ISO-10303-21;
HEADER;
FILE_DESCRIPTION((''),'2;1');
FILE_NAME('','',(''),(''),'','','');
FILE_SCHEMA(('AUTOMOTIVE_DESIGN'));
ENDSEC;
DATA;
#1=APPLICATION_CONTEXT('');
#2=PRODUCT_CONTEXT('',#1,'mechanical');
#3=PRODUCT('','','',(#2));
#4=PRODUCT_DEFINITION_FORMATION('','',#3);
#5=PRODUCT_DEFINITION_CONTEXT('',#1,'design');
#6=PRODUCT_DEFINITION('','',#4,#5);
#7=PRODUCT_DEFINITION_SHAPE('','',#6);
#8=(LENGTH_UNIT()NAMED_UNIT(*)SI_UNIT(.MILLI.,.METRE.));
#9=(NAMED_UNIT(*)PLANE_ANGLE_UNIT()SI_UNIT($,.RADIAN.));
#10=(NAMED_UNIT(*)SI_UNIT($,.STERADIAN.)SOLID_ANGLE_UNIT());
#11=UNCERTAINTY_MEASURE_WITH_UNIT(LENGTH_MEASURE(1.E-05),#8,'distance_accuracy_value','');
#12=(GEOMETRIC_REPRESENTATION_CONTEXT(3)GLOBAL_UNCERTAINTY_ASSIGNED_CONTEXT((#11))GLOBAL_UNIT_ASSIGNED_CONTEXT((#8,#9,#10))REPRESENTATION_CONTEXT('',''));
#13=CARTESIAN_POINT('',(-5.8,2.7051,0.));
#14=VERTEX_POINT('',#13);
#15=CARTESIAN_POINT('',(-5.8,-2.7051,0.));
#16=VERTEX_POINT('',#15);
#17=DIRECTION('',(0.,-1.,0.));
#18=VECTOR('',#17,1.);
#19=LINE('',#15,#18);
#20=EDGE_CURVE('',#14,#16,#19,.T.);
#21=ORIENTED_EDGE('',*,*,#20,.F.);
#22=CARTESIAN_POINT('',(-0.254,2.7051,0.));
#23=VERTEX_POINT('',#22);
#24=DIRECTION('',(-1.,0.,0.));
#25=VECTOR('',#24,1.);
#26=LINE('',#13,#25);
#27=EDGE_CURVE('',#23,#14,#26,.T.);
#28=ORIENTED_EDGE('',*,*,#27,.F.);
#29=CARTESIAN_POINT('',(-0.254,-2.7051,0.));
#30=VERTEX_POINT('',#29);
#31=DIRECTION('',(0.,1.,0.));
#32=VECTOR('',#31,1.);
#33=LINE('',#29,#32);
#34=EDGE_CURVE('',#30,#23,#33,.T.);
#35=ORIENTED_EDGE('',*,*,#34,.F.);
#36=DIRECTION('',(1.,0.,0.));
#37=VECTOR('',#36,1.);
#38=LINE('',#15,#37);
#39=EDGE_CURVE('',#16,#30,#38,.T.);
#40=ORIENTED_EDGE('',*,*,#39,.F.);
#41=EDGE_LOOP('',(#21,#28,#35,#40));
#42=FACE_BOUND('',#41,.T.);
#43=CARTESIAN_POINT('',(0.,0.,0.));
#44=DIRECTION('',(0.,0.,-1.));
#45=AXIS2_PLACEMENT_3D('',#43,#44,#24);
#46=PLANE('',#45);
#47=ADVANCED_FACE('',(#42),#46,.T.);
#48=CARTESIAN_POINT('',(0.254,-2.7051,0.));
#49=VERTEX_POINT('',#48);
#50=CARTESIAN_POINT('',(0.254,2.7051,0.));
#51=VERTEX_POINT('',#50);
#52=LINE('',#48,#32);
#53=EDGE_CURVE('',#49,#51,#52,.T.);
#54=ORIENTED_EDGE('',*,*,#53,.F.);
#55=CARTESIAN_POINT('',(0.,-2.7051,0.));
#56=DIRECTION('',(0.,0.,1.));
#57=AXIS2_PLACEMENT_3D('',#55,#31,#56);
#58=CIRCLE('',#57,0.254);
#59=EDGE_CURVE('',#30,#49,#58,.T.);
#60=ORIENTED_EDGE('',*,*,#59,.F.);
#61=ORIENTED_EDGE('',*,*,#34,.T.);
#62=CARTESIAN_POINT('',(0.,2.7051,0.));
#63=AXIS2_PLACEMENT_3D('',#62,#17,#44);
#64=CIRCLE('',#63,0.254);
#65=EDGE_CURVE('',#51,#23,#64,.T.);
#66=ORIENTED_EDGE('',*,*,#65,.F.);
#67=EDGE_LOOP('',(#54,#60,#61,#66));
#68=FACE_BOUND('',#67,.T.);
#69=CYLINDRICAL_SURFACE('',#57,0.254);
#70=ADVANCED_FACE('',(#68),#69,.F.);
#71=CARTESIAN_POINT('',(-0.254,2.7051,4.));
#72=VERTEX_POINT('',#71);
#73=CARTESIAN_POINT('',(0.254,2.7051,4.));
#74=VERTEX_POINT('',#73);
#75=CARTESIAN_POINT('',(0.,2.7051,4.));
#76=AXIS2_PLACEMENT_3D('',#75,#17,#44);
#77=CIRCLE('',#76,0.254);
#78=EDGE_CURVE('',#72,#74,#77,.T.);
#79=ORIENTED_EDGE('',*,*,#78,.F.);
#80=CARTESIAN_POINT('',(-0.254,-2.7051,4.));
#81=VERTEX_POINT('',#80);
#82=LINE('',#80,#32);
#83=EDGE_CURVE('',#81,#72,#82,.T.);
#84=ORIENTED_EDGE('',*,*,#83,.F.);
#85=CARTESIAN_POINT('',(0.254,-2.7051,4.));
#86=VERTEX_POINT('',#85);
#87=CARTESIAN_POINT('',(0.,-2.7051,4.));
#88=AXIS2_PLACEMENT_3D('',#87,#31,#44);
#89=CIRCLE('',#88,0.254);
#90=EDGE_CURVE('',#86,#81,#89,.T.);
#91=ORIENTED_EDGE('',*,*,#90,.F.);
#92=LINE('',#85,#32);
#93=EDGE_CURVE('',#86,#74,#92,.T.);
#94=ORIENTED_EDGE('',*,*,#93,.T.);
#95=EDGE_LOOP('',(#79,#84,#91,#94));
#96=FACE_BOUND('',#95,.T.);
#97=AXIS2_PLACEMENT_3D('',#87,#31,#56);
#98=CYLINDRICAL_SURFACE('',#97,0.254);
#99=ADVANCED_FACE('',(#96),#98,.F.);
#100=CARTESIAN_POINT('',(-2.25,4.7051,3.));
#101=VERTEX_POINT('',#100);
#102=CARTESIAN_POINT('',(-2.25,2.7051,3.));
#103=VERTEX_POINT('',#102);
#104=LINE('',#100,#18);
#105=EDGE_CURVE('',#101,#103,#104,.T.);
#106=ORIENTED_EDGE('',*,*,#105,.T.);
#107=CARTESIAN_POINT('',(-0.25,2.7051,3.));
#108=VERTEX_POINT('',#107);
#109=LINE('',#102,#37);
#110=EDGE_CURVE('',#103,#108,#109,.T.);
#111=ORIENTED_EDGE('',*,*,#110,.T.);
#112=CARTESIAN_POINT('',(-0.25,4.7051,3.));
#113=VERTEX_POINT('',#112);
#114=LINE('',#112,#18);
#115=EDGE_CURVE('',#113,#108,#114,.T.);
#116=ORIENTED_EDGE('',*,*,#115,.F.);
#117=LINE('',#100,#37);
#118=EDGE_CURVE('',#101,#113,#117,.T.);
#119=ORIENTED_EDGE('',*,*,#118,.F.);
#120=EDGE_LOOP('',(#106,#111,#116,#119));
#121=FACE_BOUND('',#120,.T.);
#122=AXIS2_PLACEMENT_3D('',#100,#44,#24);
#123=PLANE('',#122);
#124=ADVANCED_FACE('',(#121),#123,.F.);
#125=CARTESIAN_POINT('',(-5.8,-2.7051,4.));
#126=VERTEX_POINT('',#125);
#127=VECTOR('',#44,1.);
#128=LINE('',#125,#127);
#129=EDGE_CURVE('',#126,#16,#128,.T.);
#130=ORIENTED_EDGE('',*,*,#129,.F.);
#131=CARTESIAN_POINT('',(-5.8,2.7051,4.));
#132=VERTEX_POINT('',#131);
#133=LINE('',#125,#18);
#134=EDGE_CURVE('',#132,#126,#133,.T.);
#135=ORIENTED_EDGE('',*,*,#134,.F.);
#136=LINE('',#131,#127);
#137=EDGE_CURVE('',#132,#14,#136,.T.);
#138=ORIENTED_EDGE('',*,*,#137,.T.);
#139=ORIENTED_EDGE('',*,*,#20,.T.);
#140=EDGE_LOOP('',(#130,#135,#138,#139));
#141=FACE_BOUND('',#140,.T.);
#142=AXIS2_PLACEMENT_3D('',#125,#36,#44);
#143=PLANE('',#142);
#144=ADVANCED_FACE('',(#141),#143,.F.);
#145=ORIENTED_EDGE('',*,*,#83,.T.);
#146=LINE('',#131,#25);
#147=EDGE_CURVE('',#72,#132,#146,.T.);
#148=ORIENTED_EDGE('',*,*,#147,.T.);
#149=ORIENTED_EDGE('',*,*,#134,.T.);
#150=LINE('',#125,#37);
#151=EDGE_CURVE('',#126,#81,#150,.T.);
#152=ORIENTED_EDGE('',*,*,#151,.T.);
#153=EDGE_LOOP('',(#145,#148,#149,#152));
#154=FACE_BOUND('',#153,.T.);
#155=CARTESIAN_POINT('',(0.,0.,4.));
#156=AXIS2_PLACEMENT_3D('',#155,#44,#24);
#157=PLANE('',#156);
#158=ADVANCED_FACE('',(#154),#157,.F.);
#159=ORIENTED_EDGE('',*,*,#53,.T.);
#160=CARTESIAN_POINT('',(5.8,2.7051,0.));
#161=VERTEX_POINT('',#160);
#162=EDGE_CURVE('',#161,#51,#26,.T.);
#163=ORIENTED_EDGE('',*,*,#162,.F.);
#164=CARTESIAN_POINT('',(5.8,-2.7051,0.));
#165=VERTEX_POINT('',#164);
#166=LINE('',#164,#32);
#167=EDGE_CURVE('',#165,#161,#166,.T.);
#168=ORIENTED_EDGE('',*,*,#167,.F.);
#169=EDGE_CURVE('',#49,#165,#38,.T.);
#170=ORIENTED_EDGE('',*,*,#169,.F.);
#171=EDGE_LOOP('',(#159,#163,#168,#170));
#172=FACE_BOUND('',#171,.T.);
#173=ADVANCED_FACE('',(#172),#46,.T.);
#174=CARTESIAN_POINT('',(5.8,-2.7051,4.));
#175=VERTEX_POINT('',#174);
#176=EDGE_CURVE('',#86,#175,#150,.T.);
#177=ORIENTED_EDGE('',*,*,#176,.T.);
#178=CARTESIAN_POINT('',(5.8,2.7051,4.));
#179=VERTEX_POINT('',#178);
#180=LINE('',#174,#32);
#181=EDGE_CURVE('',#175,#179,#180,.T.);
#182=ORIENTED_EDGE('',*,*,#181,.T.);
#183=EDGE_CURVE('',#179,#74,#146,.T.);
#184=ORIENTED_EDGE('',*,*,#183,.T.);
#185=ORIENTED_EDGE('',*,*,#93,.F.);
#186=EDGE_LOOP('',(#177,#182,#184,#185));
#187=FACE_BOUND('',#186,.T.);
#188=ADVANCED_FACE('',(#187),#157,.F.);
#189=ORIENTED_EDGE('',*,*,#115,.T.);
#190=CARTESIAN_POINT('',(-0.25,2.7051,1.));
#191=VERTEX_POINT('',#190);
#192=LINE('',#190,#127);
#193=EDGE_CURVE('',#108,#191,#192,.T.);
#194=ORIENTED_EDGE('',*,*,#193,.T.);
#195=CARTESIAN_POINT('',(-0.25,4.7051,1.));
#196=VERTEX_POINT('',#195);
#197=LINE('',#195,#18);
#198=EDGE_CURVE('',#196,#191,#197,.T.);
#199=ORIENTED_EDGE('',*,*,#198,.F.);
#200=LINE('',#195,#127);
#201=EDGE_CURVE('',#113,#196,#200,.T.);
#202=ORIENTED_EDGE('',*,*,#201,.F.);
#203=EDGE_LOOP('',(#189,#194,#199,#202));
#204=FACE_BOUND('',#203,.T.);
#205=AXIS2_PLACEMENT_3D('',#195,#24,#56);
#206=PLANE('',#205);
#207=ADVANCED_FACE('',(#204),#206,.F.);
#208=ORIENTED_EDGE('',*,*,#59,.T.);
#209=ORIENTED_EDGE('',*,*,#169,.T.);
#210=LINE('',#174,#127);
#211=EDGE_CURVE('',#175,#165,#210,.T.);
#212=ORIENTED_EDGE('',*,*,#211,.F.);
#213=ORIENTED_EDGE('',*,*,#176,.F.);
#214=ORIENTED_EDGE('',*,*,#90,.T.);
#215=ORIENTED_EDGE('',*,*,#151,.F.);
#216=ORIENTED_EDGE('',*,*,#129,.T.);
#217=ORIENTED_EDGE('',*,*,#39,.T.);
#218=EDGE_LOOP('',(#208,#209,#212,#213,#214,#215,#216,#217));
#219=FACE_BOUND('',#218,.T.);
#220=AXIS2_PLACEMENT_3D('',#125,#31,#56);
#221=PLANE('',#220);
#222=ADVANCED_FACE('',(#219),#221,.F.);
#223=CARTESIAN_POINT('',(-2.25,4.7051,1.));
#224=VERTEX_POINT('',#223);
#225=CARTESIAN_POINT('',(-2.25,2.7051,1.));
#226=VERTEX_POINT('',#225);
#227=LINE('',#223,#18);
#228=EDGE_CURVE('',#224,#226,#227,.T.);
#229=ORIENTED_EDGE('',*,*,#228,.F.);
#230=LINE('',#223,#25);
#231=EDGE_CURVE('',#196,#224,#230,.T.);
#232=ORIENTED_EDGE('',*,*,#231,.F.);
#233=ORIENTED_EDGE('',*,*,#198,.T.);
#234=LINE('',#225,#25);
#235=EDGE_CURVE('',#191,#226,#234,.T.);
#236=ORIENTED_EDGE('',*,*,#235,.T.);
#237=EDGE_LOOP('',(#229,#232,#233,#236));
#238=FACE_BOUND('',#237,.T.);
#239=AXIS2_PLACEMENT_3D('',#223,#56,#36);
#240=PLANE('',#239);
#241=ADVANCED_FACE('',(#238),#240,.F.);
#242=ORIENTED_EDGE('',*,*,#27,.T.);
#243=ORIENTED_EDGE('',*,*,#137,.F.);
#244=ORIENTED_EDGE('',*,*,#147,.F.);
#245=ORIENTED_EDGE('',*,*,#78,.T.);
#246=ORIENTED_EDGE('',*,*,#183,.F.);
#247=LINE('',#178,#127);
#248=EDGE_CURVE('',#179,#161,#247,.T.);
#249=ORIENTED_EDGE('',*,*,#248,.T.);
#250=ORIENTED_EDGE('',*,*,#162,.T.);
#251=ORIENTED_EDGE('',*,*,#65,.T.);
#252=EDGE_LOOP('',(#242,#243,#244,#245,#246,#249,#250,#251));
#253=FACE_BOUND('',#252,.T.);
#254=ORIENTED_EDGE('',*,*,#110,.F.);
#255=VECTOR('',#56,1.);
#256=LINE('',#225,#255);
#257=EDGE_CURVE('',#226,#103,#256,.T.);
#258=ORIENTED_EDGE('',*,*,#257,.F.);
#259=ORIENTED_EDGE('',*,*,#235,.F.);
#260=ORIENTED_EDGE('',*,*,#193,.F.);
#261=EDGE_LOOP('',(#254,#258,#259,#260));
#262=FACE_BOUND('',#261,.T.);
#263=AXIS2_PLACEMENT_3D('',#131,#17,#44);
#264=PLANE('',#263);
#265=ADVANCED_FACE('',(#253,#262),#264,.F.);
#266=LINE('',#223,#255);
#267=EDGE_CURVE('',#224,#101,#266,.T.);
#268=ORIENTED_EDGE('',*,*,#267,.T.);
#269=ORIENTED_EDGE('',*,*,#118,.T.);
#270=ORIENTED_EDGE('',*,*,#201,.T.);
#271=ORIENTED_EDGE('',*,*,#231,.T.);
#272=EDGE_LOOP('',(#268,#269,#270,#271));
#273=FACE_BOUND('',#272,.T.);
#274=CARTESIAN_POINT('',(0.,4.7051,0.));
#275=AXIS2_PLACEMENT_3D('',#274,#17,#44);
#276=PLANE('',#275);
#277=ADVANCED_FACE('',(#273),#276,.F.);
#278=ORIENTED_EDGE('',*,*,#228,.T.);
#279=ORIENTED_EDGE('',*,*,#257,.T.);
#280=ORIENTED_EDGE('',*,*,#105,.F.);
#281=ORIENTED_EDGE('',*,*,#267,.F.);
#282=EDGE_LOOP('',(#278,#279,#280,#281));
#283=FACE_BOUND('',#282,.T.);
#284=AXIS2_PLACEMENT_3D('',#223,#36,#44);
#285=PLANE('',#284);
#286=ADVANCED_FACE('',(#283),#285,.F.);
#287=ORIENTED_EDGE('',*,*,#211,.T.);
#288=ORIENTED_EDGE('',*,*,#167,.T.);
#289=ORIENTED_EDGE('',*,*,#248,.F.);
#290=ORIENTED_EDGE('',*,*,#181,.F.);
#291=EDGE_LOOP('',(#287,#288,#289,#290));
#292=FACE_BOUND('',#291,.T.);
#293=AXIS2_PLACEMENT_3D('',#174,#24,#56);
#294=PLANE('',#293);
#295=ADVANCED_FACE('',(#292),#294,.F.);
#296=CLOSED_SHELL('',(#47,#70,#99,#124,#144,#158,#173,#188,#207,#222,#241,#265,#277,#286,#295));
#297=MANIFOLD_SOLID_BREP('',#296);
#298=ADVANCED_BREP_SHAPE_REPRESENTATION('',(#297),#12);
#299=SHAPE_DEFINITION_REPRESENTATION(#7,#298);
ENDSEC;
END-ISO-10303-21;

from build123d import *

# Parameters (mm, degrees)
SKETCH1_W               = 11.6
SKETCH1_H               = 5.4102
BOSS_EXTRUDE1_DEPTH     = 4
SKETCH2_W               = 2
SKETCH2_H               = 2
BOSS_EXTRUDE2_DEPTH     = 2
CUT_EXTRUDE1_DEPTH      = 9.883144941
CUT_EXTRUDE1_DEPTH_BACK = 9.883144941


with BuildPart() as part:
    # Sketch1 → Boss-Extrude1 (new body)
    with BuildSketch(Plane.XY):
        Rectangle(SKETCH1_W, SKETCH1_H)
    extrude(amount=BOSS_EXTRUDE1_DEPTH)

    # Sketch2 → Boss-Extrude2 (add)
    with BuildSketch(Plane(origin=(0, 2.7051, 0), x_dir=(1, 0, 0), z_dir=(0, 1, 0))):
        with Locations((-1.25, -2)):
            Rectangle(SKETCH2_W, SKETCH2_H)
    extrude(amount=BOSS_EXTRUDE2_DEPTH)

    # Sketch3 → Cut-Extrude1 (cut, two sides: drawn at the far end of the back side and taken through both)
    with BuildSketch(Plane(origin=(0, 2.7051, 0), x_dir=(1, 0, 0), z_dir=(0, 1, 0)).offset(-CUT_EXTRUDE1_DEPTH_BACK)):
        with BuildLine():
            Line((-0.254, 0), (0.254, 0))
            ThreePointArc((0.254, 0), (0, -0.254), (-0.254, 0))
        make_face()
        with BuildLine():
            Line((-0.254, -4), (0.254, -4))
            ThreePointArc((0.254, -4), (0, -3.746), (-0.254, -4))
        make_face()
    extrude(amount=CUT_EXTRUDE1_DEPTH + CUT_EXTRUDE1_DEPTH_BACK, mode=Mode.SUBTRACT)


solid = part.part
